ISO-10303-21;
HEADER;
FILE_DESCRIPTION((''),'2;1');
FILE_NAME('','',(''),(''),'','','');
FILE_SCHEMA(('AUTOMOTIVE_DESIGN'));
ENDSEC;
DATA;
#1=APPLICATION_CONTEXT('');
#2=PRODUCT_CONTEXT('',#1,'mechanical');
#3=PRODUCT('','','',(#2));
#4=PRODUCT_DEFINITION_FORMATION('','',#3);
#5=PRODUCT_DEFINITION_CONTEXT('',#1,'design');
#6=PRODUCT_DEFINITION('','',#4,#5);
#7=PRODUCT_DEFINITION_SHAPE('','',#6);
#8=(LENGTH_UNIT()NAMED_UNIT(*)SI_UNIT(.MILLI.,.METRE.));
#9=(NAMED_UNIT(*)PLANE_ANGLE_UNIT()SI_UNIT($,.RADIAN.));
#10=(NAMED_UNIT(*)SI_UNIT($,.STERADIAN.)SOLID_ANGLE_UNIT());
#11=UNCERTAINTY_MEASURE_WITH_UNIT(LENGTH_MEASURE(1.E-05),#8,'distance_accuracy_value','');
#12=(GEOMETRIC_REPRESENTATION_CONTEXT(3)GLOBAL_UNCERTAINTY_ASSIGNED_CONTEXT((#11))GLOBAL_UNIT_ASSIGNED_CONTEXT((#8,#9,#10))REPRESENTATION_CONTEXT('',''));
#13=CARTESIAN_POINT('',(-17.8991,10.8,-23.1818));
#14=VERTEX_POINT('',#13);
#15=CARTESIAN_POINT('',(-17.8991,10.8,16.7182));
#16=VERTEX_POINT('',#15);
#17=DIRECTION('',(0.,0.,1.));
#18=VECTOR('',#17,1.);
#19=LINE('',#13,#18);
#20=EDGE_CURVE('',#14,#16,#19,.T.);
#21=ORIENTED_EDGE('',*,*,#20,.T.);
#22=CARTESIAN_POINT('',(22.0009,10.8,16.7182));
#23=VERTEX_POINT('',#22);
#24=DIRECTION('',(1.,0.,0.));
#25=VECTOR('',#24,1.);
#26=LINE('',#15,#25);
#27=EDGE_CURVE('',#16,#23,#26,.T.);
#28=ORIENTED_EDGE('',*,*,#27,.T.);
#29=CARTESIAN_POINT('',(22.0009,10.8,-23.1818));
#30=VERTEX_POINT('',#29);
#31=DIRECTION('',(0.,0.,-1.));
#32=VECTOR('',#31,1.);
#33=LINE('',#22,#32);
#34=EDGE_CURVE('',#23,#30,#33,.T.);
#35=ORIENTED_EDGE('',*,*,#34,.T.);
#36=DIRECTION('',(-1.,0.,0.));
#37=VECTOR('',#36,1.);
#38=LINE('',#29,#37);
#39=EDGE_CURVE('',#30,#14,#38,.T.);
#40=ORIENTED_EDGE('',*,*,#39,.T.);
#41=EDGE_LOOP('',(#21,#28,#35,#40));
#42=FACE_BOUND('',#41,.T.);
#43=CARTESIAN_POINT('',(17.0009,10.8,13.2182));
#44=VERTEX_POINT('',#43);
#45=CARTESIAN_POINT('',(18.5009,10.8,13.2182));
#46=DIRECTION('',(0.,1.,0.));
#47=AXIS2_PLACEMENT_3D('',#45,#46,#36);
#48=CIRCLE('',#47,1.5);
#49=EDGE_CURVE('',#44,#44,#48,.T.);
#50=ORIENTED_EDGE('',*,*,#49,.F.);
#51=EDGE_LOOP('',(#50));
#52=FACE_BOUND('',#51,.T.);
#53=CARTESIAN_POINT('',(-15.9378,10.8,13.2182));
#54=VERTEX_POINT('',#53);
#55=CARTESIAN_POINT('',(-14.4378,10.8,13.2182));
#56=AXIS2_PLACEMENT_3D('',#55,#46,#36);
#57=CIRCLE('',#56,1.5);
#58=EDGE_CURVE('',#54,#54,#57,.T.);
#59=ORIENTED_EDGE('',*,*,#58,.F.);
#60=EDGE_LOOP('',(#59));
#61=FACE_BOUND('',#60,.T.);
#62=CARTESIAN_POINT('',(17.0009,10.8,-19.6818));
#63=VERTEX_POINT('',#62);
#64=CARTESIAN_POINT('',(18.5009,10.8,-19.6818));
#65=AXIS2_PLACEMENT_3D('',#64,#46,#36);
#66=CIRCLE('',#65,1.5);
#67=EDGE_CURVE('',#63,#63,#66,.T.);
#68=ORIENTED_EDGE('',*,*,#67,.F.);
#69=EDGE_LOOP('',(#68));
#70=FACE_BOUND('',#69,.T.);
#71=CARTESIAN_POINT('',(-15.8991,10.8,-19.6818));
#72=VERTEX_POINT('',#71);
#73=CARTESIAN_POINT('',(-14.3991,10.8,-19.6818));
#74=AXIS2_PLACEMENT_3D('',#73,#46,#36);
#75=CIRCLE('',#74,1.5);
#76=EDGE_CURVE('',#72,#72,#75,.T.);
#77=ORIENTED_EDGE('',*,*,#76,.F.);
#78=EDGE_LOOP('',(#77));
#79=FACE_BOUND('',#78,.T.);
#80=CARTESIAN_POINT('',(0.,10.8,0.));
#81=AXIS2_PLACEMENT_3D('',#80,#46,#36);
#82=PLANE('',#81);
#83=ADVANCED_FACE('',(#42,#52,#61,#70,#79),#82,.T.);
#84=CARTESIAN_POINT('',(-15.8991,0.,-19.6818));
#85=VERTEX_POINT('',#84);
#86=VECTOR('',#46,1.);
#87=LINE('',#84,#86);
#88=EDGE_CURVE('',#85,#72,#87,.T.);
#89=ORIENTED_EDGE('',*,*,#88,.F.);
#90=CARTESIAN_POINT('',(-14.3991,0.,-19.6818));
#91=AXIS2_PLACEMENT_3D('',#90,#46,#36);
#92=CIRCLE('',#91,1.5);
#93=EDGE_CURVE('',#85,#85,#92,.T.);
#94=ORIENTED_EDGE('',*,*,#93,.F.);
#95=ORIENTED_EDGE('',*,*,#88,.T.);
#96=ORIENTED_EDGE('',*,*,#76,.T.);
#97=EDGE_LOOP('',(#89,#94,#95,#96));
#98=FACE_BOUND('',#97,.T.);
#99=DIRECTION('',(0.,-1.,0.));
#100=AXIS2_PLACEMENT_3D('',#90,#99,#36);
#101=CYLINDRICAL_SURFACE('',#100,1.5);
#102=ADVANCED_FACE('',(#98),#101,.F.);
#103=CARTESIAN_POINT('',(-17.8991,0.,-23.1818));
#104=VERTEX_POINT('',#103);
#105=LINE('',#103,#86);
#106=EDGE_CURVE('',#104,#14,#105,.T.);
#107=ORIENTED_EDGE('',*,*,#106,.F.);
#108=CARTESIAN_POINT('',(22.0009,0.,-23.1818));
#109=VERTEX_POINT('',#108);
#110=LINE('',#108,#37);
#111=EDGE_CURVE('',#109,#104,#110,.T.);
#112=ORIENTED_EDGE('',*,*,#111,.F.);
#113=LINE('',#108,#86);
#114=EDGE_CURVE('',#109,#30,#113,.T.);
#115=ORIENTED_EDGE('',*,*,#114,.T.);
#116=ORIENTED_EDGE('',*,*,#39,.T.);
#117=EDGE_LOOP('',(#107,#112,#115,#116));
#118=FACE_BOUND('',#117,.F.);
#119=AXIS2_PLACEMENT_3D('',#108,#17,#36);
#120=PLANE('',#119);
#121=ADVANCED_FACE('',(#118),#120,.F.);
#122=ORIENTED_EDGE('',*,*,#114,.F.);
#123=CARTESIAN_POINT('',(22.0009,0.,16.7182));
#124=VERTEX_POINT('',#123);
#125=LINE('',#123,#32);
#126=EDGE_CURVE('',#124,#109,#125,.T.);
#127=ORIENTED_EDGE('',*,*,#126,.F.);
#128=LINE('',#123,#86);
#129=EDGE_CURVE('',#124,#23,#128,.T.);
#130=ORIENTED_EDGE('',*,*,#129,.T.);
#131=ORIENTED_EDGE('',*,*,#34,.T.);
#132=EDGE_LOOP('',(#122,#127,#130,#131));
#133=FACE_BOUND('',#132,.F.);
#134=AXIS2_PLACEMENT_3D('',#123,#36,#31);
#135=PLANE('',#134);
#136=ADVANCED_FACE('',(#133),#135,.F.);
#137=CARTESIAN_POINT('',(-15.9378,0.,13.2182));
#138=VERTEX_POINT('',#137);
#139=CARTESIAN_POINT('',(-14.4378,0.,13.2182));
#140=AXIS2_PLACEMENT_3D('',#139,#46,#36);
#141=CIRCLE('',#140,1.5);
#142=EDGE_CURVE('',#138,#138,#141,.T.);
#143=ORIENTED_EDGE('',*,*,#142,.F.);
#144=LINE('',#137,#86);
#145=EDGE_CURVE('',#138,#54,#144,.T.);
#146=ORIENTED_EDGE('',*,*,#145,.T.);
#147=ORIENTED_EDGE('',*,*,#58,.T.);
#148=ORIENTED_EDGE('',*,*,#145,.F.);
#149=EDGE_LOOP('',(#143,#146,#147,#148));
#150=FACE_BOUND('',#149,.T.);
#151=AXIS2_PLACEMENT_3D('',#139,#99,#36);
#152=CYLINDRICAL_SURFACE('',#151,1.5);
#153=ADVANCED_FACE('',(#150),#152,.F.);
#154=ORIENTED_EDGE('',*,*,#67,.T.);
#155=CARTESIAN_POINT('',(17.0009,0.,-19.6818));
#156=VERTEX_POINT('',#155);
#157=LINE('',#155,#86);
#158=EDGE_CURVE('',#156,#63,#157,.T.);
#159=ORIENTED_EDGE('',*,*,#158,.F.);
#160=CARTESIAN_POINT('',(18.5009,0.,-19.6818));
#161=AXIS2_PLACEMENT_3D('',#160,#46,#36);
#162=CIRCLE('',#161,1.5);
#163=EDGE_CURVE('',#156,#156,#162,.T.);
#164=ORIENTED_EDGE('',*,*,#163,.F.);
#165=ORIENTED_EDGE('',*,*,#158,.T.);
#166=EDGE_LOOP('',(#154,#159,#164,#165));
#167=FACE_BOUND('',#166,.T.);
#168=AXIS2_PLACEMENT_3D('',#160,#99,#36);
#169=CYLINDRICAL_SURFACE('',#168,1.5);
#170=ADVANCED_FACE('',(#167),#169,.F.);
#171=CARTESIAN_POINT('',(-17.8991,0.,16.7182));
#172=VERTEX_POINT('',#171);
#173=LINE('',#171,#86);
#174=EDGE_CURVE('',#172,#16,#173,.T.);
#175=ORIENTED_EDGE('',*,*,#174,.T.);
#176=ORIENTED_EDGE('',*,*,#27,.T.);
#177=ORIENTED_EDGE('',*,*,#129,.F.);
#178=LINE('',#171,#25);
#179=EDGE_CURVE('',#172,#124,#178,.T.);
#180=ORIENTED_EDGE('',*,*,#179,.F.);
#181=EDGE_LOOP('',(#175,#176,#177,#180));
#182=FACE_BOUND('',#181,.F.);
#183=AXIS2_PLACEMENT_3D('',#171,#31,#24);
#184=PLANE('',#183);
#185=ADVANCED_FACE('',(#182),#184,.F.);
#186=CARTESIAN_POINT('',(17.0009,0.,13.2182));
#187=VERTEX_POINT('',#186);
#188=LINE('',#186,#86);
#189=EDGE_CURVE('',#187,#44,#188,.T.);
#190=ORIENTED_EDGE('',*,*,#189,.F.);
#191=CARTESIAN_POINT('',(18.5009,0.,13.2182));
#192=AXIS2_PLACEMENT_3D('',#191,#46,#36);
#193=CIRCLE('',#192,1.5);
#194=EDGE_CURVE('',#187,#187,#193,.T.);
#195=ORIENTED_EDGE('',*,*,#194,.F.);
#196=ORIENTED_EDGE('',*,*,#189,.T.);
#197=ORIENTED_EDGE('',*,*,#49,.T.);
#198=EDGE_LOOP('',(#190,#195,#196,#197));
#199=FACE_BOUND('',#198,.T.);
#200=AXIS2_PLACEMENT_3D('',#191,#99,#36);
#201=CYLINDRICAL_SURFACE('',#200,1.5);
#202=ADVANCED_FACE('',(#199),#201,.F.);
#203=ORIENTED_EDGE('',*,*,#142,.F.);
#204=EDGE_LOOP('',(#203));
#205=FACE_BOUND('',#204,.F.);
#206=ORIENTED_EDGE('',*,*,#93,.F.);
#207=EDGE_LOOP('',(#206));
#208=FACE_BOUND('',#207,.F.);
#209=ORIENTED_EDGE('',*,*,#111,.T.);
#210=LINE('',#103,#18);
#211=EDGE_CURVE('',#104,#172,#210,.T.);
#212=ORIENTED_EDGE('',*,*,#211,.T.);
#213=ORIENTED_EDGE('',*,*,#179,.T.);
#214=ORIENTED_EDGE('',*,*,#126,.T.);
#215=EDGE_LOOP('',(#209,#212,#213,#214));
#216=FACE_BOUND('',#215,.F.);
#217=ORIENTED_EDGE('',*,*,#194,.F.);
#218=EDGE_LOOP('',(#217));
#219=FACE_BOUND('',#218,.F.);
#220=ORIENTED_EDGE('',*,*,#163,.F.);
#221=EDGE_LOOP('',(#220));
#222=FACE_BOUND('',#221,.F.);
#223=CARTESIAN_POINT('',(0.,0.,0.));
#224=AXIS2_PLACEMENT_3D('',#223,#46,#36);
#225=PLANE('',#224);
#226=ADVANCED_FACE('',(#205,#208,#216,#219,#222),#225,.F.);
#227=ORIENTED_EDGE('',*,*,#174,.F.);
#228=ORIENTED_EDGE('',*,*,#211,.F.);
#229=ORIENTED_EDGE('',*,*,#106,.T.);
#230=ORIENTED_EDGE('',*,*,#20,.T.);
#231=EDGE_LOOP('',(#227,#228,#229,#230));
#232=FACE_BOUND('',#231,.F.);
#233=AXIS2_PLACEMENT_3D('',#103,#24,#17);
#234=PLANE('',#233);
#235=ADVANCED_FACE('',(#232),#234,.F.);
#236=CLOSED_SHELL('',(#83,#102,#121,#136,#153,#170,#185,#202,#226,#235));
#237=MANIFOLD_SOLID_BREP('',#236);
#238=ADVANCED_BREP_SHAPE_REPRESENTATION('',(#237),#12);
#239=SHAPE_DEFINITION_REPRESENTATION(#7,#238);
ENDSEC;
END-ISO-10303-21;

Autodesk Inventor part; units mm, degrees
ref_plane "YZ Plane" through (0, 0, 0) normal (1, 0, 0) x (0, 1, 0)
ref_plane "XZ Plane" through (0, 0, 0) normal (0, 1, 0) x (-1, 0, 0)
ref_plane "XY Plane" through (0, 0, 0) normal (0, 0, 1) x (1, 0, 0)
sketch "Sketch1" plane through (0, 0, 0) normal (0, 1, 0) x (-1, 0, 0)
  line L0 (-22.0009, 16.7182) -> (-22.0009, -23.1818)
  line L1 (-22.0009, -23.1818) -> (17.8991, -23.1818)
  line L2 (17.8991, -23.1818) -> (17.8991, 16.7182)
  line L3 (17.8991, 16.7182) -> (-22.0009, 16.7182)
  circle A0 centre (14.3991, -19.6818) radius 1.5
  circle A1 centre (14.4378, 13.2182) radius 1.5
  circle A2 centre (-18.5009, 13.2182) radius 1.5
  circle A3 centre (-18.5009, -19.6818) radius 1.5
  point P0 (0, 0)
  dimension "d0" = 39.9
  dimension "d2" = 39.9
  dimension "d3" = 3
  dimension "d4" = 3
  dimension "d5" = 3
  dimension "d6" = 3
  dimension "d7" = 3.5
  dimension "d8" = 3.5
  dimension "d9" = 3.5
  dimension "d10" = 3.5
  dimension "d11" = 3.5
  dimension "d12" = 3.5
  dimension "d13" = 3.5
extrude "Extrusion1" add sketch "Sketch1" along normal blind 10.8
properties part number "ventilator"
